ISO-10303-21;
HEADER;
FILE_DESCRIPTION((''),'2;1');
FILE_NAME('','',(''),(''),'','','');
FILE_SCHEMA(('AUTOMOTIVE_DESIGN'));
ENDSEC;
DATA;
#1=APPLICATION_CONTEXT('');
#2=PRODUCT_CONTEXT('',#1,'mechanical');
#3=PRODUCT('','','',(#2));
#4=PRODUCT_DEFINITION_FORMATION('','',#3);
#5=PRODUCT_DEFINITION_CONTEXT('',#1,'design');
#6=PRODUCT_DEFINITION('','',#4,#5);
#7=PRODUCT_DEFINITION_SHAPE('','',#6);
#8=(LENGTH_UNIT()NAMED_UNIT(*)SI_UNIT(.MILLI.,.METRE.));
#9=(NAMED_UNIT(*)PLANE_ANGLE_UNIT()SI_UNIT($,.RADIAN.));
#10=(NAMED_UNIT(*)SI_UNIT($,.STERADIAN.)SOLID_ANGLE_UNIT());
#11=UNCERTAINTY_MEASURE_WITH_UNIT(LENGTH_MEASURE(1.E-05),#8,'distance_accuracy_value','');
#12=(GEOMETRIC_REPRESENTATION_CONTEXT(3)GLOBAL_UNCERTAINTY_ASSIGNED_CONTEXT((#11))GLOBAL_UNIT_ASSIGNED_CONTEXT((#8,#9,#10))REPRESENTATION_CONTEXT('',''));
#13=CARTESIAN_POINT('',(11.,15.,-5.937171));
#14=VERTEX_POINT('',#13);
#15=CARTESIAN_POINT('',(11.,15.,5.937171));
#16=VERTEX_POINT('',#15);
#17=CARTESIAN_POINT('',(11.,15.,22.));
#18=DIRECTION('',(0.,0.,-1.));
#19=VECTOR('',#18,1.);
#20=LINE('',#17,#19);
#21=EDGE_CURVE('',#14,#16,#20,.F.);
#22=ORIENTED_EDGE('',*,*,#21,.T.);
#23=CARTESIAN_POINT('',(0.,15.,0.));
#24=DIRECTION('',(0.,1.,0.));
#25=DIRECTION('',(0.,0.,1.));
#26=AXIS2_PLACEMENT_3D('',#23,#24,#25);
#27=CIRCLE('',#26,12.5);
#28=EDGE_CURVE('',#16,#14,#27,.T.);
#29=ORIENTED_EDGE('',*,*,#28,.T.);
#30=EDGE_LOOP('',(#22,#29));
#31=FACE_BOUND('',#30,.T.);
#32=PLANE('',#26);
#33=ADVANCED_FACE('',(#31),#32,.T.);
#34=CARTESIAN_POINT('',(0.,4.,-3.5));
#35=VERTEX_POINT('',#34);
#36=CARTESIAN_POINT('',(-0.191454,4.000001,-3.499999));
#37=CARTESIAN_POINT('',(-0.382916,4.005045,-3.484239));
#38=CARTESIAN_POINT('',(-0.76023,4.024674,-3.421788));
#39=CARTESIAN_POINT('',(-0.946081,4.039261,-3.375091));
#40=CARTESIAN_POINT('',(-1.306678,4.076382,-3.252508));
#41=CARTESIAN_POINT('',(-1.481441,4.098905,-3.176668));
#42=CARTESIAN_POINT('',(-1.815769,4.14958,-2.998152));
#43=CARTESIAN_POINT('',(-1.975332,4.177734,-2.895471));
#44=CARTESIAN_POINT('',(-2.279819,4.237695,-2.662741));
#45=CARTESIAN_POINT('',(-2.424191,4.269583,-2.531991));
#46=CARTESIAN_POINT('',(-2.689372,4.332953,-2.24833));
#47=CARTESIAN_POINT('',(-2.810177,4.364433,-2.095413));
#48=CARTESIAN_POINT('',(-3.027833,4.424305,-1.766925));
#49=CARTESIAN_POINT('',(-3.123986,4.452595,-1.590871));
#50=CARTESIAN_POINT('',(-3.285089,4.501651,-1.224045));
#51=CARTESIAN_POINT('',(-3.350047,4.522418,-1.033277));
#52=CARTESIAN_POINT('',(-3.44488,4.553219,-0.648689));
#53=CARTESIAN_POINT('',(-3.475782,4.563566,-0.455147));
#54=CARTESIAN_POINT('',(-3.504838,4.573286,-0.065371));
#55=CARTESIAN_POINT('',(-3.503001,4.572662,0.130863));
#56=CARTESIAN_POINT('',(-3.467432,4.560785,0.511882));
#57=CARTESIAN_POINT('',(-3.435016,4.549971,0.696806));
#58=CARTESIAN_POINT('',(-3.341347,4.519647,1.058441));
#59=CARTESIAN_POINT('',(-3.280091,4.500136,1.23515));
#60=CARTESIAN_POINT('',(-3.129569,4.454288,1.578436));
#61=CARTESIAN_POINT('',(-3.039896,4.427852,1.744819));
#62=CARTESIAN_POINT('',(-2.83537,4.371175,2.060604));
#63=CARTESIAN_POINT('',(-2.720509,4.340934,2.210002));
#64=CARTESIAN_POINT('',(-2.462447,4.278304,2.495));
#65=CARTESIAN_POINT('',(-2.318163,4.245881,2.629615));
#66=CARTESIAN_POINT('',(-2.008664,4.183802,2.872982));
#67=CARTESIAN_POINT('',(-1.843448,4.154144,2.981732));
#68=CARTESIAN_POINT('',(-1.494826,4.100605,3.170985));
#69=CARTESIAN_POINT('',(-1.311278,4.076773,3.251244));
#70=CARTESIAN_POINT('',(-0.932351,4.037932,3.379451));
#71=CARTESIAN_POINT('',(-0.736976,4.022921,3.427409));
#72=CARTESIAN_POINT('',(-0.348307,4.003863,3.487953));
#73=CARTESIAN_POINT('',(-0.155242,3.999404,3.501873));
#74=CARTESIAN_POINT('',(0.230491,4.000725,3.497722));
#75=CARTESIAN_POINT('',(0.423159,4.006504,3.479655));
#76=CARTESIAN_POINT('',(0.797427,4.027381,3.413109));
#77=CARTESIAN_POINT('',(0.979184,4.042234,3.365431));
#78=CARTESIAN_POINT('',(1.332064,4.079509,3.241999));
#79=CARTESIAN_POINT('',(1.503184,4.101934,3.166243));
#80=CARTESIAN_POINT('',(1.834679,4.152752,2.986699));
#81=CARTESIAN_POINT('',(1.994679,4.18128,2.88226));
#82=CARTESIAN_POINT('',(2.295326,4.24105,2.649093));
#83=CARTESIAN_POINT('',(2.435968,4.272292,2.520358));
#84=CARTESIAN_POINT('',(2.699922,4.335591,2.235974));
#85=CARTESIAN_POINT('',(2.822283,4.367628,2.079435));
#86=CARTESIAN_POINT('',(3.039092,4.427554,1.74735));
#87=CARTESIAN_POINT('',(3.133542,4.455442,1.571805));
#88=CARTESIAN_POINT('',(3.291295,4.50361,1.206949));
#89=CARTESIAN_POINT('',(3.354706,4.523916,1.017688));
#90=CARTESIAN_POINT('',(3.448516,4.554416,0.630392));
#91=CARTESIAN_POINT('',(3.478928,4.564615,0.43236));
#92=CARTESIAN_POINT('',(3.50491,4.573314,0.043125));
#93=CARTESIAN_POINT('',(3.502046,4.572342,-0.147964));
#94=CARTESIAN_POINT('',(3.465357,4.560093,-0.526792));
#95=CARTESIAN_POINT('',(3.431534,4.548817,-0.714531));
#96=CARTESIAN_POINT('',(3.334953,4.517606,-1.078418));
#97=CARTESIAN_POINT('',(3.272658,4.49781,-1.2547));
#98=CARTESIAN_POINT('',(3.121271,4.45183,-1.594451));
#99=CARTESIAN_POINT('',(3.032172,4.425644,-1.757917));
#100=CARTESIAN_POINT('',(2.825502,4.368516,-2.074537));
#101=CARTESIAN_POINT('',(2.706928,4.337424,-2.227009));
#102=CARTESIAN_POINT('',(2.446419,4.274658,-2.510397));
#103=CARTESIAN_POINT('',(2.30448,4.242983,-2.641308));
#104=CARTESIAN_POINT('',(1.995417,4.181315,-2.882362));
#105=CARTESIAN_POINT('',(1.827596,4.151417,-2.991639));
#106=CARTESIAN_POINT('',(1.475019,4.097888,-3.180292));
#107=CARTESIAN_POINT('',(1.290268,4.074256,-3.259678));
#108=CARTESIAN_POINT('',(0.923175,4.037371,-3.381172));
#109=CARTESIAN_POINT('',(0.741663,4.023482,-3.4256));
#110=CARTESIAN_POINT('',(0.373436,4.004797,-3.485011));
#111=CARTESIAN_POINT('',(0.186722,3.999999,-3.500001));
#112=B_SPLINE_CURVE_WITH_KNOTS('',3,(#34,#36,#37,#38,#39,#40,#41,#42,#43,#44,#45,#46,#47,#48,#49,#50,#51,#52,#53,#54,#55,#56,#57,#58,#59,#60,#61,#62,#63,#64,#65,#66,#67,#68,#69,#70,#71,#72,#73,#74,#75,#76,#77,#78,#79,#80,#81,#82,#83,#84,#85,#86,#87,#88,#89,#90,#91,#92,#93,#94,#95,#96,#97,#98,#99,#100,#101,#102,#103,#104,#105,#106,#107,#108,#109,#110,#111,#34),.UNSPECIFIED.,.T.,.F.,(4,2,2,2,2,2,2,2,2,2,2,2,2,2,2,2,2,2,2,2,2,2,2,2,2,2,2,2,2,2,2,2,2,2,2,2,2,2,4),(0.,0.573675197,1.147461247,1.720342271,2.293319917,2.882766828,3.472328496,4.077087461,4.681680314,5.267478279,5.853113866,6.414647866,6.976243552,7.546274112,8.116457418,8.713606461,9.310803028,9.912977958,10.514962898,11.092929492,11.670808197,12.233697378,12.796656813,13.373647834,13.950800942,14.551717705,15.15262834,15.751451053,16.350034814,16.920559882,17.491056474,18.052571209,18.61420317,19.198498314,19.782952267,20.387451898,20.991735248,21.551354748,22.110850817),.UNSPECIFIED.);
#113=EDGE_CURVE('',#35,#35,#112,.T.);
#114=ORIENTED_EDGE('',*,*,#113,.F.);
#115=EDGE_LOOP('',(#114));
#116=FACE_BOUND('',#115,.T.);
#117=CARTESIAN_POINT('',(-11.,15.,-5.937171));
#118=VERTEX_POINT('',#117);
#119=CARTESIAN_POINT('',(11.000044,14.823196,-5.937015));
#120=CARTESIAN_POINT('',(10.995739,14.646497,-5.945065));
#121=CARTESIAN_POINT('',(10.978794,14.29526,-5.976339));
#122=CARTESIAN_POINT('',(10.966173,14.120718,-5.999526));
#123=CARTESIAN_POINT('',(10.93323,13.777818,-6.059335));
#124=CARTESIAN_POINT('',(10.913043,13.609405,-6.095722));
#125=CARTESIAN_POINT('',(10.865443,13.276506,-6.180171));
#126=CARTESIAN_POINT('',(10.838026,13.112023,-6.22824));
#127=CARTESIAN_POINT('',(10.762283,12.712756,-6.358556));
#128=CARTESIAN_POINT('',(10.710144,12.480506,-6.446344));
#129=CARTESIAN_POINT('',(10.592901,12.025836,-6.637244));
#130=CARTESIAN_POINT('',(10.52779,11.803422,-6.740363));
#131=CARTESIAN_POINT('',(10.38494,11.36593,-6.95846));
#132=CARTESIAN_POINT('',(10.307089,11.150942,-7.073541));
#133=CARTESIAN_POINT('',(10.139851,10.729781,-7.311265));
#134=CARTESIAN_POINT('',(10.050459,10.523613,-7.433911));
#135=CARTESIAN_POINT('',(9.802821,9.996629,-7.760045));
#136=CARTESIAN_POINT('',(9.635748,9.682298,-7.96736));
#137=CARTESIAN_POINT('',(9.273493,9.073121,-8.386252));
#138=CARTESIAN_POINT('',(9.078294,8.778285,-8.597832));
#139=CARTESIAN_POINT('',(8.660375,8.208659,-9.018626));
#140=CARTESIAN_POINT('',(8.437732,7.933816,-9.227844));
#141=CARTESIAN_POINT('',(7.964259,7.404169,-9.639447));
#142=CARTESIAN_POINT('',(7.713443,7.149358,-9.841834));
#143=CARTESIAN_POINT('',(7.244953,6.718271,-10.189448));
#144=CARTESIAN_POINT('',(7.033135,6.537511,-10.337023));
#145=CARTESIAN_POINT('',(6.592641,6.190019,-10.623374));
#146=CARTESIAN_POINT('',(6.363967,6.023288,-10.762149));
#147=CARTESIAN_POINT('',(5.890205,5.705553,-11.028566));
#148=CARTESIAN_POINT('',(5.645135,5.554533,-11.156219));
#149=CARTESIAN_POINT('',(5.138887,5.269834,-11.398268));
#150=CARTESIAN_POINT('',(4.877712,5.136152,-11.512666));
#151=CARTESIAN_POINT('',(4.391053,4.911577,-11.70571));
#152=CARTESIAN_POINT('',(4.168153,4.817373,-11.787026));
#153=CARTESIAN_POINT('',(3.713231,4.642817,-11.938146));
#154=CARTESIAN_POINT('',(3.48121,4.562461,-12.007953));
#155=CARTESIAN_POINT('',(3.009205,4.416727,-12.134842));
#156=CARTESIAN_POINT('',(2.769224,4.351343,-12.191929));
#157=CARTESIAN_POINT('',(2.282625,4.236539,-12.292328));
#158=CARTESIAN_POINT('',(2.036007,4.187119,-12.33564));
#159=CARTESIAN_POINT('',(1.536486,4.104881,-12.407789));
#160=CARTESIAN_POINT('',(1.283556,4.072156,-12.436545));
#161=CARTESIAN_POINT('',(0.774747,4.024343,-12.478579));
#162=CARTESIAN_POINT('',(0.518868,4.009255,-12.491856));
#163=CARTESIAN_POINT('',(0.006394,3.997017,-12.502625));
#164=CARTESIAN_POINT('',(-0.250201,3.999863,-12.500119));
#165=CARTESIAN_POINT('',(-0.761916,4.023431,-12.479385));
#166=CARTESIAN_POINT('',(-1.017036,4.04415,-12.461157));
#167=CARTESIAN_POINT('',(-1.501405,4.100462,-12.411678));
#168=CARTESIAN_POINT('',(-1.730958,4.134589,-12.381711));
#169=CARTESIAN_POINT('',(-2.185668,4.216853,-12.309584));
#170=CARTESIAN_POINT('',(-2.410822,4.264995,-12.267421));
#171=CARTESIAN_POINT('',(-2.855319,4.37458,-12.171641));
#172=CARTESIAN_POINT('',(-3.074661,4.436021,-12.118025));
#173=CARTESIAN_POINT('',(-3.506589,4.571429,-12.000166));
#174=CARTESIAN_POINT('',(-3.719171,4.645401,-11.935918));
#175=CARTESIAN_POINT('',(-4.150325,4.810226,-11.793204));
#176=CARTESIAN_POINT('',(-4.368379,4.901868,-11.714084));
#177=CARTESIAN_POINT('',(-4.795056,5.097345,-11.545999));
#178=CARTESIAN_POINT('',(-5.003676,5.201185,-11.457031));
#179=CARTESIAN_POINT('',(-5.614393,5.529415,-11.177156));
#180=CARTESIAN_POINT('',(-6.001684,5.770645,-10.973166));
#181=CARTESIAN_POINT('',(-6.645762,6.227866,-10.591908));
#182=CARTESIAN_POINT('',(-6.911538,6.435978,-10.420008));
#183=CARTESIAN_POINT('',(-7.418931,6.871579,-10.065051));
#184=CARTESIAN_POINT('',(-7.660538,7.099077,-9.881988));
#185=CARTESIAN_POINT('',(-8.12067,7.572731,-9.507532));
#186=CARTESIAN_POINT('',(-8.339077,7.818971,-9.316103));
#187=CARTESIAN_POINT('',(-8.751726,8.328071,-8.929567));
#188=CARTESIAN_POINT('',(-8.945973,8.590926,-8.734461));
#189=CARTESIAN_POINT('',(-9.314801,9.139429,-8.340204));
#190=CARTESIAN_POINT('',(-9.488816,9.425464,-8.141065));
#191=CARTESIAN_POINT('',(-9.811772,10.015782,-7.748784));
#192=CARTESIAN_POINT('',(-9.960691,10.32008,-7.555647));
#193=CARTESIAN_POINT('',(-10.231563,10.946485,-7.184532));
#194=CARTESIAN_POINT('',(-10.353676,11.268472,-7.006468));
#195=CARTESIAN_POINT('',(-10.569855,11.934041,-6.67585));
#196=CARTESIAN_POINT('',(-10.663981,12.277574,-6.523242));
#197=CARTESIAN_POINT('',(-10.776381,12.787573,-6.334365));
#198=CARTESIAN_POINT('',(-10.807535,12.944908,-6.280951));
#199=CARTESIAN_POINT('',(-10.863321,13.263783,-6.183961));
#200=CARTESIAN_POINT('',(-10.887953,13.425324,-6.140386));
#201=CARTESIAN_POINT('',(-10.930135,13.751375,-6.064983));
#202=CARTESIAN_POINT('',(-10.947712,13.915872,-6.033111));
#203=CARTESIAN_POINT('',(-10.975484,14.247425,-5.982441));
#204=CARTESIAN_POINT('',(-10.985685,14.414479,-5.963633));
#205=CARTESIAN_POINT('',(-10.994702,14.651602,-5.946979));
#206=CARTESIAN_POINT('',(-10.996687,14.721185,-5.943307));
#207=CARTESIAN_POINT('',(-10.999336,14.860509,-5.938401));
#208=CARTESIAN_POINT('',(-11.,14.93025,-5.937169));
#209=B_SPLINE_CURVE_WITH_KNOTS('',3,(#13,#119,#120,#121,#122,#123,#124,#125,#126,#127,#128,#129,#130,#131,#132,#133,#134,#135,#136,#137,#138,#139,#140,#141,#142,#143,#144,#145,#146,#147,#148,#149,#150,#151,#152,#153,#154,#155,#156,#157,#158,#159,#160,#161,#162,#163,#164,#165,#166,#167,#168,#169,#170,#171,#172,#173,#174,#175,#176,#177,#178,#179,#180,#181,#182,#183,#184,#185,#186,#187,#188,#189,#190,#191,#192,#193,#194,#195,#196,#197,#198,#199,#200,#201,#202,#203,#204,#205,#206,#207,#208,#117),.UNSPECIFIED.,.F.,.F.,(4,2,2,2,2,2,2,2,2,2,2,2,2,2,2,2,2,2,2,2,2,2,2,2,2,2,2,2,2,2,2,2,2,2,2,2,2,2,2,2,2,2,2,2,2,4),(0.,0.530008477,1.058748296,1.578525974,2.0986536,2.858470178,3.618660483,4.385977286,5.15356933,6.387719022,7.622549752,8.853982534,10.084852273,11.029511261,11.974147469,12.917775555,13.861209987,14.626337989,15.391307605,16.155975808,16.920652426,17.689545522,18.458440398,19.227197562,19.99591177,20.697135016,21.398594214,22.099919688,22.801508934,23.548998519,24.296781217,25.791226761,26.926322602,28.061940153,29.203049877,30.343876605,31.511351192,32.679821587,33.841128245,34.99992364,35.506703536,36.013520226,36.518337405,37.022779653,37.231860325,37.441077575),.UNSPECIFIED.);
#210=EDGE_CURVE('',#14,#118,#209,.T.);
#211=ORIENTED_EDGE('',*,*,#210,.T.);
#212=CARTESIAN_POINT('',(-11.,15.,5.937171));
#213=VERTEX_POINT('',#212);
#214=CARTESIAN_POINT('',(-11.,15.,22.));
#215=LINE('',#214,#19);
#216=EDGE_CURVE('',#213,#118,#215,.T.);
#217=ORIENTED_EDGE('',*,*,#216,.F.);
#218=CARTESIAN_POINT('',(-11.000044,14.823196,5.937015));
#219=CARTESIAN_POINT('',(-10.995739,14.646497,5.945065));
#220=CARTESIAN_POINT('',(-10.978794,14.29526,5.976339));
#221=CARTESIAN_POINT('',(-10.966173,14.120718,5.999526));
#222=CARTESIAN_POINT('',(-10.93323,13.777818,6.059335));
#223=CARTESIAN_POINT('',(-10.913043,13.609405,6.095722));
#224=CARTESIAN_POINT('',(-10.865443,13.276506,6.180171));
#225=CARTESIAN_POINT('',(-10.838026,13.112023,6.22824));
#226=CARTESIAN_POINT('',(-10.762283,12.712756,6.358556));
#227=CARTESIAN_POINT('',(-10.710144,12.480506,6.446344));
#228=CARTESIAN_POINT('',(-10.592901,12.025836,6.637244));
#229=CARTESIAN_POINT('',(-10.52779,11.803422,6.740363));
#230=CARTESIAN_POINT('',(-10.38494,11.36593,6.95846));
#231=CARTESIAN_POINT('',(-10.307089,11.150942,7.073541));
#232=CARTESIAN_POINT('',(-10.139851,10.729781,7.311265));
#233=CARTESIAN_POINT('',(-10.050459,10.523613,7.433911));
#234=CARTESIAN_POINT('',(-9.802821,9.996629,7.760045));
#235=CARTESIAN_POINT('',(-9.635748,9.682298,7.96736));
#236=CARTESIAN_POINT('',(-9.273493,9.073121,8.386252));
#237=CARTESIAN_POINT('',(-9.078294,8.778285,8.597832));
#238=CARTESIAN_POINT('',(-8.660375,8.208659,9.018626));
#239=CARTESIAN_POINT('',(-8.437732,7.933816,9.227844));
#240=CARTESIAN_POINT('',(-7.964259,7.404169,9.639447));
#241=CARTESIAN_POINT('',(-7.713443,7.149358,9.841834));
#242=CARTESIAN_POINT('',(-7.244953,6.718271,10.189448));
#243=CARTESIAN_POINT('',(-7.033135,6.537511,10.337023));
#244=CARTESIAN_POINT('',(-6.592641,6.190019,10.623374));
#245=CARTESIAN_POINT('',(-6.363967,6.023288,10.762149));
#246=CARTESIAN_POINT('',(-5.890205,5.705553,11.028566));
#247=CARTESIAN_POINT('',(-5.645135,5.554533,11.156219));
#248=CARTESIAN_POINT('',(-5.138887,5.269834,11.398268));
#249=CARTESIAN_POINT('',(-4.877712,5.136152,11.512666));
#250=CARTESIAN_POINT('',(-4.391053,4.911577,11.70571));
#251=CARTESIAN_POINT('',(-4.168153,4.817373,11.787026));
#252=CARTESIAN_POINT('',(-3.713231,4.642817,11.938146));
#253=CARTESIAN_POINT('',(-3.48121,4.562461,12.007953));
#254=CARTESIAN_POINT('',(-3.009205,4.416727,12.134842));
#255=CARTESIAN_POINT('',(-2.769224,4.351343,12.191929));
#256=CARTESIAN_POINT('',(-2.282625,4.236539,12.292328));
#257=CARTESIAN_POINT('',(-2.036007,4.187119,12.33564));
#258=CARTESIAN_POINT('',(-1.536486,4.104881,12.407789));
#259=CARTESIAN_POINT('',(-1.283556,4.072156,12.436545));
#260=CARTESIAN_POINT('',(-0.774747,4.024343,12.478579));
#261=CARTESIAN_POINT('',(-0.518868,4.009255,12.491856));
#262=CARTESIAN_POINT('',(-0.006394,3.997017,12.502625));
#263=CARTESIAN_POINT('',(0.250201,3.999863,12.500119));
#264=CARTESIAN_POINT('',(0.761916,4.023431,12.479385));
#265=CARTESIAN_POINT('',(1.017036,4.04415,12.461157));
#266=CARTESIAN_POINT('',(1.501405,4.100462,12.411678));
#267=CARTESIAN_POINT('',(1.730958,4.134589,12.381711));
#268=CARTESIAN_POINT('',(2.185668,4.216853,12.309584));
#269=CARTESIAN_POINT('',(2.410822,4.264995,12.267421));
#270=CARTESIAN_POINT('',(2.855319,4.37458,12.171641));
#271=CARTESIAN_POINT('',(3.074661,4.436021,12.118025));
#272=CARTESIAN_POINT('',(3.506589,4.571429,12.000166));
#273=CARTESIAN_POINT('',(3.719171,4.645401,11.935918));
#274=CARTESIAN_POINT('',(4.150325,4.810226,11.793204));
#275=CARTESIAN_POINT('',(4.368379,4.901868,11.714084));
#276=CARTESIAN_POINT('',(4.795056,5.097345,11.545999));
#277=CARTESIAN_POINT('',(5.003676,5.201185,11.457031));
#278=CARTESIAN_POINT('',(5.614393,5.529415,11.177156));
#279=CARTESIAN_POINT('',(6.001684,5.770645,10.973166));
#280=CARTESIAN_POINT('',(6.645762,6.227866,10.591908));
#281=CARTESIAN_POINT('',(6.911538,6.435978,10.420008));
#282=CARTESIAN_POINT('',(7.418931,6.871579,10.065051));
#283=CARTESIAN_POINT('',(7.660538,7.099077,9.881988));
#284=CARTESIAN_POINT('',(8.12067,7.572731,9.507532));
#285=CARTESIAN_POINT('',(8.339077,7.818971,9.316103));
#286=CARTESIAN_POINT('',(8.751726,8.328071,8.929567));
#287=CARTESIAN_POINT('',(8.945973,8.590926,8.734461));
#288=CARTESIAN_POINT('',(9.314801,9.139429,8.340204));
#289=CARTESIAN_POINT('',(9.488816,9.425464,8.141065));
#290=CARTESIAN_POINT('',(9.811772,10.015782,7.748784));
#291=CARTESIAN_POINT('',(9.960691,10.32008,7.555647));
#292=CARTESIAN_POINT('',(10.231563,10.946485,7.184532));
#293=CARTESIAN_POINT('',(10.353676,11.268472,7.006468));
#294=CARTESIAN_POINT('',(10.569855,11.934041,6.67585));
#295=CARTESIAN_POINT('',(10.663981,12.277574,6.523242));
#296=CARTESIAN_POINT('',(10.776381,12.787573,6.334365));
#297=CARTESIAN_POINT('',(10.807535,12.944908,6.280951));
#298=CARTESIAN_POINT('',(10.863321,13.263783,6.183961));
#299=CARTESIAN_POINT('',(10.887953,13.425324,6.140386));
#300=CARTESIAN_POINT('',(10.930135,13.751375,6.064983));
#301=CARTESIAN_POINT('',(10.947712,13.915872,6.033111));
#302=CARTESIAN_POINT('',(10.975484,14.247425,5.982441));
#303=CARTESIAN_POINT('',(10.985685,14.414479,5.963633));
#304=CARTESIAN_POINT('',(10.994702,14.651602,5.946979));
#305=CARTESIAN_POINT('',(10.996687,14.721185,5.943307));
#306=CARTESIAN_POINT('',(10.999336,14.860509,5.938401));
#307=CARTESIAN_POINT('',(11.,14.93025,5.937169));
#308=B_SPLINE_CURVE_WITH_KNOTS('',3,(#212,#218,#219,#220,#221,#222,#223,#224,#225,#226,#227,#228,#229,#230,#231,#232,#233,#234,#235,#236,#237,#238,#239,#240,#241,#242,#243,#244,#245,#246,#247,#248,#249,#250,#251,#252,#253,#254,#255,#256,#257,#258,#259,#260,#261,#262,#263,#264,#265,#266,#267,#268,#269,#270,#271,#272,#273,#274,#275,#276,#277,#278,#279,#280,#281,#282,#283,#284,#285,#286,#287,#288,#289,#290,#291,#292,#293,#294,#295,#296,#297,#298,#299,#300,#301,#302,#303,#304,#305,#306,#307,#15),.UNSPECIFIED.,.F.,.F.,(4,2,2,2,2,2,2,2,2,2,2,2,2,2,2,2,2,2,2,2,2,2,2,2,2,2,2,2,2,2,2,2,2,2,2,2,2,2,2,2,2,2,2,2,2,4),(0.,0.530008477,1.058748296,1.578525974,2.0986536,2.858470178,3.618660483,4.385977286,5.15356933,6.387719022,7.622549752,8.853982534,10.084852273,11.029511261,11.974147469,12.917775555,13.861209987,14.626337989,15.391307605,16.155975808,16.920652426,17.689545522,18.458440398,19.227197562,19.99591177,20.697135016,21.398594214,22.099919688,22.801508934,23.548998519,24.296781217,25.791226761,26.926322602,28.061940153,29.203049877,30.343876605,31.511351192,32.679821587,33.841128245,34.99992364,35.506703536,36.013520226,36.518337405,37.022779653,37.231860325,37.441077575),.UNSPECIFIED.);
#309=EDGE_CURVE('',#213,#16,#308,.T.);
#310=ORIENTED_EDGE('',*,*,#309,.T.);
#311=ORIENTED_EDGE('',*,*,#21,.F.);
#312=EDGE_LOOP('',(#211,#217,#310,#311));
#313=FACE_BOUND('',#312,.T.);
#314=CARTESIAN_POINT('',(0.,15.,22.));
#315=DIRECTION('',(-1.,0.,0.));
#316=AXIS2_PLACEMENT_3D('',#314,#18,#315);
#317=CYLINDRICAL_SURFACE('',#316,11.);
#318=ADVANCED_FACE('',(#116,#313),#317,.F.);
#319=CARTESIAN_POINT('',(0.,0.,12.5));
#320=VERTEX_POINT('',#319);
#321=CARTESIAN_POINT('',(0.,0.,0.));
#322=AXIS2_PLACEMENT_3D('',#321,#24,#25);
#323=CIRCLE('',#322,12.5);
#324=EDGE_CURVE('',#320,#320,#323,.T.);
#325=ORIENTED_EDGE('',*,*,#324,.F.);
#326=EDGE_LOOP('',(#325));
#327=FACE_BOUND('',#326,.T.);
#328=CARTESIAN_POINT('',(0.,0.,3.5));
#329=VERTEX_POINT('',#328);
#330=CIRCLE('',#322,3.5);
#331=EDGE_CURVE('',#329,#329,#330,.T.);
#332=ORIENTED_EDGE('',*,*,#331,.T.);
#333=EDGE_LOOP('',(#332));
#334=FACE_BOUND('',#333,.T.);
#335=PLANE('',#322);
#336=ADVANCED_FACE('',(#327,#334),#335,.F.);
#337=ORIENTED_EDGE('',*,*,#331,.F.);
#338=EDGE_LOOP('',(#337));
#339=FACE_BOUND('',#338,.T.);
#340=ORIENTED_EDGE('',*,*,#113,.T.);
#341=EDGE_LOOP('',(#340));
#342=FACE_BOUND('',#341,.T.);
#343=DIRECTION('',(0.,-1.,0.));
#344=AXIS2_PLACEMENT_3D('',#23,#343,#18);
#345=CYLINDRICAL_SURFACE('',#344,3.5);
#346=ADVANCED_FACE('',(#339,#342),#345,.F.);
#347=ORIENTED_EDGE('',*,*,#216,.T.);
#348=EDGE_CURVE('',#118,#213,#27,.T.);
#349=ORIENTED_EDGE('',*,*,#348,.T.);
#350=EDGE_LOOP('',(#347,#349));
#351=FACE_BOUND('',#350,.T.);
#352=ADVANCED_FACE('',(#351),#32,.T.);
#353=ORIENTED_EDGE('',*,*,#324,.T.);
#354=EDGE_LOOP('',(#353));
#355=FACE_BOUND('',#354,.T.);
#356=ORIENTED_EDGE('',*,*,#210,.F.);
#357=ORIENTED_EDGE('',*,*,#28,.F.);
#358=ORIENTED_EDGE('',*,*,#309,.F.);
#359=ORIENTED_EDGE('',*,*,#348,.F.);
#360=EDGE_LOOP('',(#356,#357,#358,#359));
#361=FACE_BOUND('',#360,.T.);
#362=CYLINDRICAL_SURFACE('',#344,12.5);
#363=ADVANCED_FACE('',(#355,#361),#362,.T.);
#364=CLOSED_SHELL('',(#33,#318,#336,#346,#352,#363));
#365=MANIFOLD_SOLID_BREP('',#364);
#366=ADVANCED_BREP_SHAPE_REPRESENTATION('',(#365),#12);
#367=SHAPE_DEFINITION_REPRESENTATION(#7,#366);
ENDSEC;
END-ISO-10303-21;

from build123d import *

# Parameters (mm, degrees)
SKETCH1_R               = 12.5
SKETCH1_R_2             = 3.5
BOSS_EXTRUDE1_DEPTH     = 15
CUT_EXTRUDE1_DEPTH      = 22
CUT_EXTRUDE1_DEPTH_BACK = 22
SKETCH2_R               = 11


with BuildPart() as part:
    # Sketch1 → Boss-Extrude1 (new body)
    with BuildSketch(Plane(origin=(0, 0, 0), x_dir=(1, 0, 0), z_dir=(0, 1, 0))):
        Circle(SKETCH1_R)
        Circle(SKETCH1_R_2, mode=Mode.SUBTRACT)
    extrude(amount=BOSS_EXTRUDE1_DEPTH)

    # Sketch2 → Cut-Extrude1 (cut, two sides: drawn at the far end of the back side and taken through both)
    with BuildSketch(Plane.XY.offset(-CUT_EXTRUDE1_DEPTH_BACK)):
        with Locations((0, 15)):
            Circle(SKETCH2_R)
    extrude(amount=CUT_EXTRUDE1_DEPTH + CUT_EXTRUDE1_DEPTH_BACK, mode=Mode.SUBTRACT)


solid = part.part
